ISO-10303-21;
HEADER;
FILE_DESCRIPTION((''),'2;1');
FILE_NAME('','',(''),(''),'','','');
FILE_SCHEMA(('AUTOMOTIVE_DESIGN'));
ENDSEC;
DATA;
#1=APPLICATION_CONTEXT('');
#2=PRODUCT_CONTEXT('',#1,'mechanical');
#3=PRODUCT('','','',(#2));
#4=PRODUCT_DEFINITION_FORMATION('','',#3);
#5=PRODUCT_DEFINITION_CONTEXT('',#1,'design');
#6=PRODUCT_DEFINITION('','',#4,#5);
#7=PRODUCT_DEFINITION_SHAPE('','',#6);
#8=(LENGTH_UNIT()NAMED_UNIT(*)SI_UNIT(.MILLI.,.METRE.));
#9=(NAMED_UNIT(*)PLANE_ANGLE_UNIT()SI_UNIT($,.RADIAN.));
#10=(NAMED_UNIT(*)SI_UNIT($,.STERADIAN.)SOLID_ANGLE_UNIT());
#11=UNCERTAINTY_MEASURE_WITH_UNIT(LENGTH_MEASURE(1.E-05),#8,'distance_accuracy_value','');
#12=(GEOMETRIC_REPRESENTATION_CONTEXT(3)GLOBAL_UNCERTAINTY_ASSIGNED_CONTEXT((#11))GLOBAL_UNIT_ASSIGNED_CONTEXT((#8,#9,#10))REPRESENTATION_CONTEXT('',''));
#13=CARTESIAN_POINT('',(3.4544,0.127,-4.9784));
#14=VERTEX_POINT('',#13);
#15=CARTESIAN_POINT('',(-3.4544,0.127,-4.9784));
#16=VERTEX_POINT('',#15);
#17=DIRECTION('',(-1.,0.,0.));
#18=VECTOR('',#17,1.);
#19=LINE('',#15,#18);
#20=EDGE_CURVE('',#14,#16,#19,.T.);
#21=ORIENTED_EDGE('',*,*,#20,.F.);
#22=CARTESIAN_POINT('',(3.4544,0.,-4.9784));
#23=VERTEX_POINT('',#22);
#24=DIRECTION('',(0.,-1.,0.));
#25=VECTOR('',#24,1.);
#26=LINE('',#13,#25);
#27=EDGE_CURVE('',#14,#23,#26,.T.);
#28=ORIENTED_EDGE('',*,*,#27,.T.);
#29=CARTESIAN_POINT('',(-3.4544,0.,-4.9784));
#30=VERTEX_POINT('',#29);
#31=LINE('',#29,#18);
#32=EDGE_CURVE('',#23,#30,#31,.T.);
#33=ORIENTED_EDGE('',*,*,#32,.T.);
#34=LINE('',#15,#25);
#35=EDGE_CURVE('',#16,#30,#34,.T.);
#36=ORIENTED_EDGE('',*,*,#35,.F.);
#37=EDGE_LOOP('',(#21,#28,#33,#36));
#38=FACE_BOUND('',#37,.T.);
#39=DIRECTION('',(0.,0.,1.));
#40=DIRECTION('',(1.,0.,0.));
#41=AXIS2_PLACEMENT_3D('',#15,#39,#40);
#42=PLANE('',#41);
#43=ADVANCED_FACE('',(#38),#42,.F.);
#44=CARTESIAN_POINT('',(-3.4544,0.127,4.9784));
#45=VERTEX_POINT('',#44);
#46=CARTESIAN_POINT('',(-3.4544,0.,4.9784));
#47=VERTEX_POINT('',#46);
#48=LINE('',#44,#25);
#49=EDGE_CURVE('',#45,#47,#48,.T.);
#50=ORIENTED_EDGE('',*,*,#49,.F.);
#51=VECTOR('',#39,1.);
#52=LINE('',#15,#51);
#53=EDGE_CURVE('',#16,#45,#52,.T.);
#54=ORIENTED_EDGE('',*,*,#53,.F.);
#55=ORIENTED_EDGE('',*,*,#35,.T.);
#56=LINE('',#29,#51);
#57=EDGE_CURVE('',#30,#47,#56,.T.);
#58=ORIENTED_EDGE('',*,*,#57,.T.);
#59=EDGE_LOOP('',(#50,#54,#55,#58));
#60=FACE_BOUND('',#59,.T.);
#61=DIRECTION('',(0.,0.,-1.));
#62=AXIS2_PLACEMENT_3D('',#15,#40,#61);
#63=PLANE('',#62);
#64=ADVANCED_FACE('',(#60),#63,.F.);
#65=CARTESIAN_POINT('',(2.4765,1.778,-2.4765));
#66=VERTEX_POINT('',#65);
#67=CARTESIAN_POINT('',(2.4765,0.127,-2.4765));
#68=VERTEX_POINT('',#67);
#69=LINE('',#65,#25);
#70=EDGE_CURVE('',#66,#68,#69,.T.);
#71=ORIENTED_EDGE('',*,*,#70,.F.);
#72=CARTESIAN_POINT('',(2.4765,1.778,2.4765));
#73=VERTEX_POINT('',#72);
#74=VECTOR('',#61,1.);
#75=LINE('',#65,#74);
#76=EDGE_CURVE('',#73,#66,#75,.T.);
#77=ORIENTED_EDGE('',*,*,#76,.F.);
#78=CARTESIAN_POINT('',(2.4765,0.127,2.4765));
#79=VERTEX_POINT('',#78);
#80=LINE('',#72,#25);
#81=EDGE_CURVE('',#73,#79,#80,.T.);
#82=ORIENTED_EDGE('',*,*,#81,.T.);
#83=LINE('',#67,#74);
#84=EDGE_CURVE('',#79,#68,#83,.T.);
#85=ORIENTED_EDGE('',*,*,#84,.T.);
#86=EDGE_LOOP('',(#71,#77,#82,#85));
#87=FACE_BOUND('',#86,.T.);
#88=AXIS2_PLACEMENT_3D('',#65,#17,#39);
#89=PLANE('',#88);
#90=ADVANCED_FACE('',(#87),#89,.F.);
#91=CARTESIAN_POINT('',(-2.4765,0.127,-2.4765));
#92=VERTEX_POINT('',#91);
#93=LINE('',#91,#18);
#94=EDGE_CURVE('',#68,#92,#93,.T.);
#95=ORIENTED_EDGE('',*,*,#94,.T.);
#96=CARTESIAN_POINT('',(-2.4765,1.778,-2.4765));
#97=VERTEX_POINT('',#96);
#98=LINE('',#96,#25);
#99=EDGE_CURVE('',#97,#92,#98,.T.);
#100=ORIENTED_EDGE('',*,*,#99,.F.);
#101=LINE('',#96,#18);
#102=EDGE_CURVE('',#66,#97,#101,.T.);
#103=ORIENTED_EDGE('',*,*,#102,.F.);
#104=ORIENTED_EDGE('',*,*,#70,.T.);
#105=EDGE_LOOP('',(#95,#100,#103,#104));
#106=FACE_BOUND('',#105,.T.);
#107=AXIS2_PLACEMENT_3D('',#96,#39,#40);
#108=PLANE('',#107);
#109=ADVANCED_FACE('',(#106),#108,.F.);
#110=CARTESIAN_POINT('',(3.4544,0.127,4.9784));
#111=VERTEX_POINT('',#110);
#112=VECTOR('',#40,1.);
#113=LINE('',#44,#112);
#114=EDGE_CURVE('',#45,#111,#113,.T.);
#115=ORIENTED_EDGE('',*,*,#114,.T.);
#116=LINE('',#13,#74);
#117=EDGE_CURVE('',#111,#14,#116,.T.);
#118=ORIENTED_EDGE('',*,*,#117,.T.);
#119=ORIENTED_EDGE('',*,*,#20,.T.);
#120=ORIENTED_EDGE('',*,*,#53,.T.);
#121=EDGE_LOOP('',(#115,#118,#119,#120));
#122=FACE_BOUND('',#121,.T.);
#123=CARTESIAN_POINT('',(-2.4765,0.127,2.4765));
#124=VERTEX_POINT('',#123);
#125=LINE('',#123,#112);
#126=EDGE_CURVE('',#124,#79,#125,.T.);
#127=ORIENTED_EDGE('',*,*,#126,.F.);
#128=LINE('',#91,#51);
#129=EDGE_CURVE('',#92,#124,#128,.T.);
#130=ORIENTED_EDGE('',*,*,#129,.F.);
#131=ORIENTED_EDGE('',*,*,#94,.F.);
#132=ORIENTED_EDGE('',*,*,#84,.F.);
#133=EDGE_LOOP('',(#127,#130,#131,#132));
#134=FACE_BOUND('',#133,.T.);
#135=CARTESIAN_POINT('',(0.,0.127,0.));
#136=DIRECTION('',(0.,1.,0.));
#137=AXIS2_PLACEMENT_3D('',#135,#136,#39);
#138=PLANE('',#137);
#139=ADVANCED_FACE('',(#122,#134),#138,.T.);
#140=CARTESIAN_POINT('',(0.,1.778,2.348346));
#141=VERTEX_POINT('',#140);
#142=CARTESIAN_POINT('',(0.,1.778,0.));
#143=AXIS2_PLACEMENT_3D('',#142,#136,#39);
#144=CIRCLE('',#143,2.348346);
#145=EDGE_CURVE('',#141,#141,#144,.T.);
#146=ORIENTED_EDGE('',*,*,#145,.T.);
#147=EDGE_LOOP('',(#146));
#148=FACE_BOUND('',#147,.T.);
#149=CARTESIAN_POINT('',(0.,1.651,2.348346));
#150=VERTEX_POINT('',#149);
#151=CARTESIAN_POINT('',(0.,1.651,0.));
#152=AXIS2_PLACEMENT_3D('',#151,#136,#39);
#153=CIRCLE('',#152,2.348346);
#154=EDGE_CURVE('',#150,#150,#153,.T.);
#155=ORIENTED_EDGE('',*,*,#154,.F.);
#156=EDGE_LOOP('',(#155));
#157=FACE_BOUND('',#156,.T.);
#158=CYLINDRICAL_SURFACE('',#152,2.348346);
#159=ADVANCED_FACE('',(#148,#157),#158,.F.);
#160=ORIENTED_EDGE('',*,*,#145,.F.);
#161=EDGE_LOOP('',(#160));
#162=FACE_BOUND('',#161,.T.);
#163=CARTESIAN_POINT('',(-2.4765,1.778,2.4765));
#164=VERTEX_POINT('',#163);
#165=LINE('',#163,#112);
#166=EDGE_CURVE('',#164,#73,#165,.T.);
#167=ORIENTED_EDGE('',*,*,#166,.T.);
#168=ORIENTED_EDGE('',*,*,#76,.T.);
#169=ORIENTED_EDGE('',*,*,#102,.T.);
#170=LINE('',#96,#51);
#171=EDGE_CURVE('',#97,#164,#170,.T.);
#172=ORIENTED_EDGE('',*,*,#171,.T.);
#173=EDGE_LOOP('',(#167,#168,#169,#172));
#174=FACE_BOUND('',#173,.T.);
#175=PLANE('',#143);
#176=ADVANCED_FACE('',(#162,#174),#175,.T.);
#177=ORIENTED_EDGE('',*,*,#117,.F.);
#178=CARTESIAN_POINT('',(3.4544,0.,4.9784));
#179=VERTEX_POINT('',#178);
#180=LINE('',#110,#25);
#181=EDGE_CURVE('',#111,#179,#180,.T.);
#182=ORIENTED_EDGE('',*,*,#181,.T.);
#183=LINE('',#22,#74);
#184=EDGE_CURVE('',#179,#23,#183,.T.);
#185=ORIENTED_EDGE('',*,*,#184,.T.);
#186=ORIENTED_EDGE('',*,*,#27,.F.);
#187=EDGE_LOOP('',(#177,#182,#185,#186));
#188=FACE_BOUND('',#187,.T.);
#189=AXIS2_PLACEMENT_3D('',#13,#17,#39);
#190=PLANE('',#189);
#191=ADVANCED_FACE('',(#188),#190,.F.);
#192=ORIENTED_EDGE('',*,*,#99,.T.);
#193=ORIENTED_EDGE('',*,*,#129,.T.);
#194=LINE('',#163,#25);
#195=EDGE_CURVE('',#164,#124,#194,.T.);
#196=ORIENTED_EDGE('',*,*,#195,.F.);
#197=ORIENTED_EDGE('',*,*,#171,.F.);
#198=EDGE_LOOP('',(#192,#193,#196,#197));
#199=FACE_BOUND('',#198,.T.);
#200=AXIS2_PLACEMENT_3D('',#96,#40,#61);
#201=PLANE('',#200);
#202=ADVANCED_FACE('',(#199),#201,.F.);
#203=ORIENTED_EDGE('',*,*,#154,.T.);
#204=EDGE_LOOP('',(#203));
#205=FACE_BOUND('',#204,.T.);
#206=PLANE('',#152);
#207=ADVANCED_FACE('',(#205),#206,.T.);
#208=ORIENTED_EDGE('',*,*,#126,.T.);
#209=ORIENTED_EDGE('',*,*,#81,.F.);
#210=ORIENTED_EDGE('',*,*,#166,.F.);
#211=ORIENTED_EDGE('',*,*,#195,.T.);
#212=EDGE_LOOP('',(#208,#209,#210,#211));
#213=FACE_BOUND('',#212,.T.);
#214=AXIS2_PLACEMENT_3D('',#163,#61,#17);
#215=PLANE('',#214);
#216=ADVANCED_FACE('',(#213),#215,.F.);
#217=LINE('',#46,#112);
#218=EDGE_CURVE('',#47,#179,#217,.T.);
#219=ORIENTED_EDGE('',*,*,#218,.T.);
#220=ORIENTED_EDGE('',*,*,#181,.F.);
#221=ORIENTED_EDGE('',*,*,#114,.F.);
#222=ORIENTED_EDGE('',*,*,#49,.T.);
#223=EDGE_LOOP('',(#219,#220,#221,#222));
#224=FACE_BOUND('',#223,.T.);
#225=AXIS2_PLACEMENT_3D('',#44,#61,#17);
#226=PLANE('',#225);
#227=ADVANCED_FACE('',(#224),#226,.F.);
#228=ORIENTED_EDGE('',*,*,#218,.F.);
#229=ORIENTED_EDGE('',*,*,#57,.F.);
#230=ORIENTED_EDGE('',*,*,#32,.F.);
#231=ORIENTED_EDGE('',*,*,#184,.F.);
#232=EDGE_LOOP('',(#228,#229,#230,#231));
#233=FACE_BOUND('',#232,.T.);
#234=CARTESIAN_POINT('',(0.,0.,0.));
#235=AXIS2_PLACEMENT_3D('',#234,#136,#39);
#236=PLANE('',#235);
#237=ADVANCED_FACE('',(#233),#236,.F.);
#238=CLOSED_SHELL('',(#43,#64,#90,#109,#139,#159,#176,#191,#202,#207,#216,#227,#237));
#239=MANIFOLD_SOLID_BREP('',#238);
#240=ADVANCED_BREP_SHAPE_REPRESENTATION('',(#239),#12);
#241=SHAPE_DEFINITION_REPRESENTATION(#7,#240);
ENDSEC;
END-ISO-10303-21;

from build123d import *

# Parameters (mm, degrees)
SKETCH1_W           = 6.9088
SKETCH1_H           = 9.9568
BOSS_EXTRUDE1_DEPTH = 0.127
SKETCH3_W           = 4.953
SKETCH3_H           = 4.953
BOSS_EXTRUDE3_DEPTH = 1.651
SKETCH5_R           = 2.348345572
CUT_EXTRUDE1_DEPTH  = 0.127


with BuildPart() as part:
    # Sketch1 → Boss-Extrude1 (new body)
    with BuildSketch(Plane(origin=(0, 0, 0), x_dir=(1, 0, 0), z_dir=(0, 1, 0))):
        Rectangle(SKETCH1_W, SKETCH1_H)
    extrude(amount=BOSS_EXTRUDE1_DEPTH)

    # Sketch3 → Boss-Extrude3 (add)
    with BuildSketch(Plane(origin=(0, 0.127, 0), x_dir=(1, 0, 0), z_dir=(0, 1, 0))):
        Rectangle(SKETCH3_W, SKETCH3_H)
    extrude(amount=BOSS_EXTRUDE3_DEPTH)

    # Sketch5 → Cut-Extrude1 (cut)
    with BuildSketch(Plane(origin=(0, 1.778, 0), x_dir=(1, 0, 0), z_dir=(0, 1, 0))):
        Circle(SKETCH5_R)
    extrude(amount=-CUT_EXTRUDE1_DEPTH, mode=Mode.SUBTRACT)


solid = part.part
